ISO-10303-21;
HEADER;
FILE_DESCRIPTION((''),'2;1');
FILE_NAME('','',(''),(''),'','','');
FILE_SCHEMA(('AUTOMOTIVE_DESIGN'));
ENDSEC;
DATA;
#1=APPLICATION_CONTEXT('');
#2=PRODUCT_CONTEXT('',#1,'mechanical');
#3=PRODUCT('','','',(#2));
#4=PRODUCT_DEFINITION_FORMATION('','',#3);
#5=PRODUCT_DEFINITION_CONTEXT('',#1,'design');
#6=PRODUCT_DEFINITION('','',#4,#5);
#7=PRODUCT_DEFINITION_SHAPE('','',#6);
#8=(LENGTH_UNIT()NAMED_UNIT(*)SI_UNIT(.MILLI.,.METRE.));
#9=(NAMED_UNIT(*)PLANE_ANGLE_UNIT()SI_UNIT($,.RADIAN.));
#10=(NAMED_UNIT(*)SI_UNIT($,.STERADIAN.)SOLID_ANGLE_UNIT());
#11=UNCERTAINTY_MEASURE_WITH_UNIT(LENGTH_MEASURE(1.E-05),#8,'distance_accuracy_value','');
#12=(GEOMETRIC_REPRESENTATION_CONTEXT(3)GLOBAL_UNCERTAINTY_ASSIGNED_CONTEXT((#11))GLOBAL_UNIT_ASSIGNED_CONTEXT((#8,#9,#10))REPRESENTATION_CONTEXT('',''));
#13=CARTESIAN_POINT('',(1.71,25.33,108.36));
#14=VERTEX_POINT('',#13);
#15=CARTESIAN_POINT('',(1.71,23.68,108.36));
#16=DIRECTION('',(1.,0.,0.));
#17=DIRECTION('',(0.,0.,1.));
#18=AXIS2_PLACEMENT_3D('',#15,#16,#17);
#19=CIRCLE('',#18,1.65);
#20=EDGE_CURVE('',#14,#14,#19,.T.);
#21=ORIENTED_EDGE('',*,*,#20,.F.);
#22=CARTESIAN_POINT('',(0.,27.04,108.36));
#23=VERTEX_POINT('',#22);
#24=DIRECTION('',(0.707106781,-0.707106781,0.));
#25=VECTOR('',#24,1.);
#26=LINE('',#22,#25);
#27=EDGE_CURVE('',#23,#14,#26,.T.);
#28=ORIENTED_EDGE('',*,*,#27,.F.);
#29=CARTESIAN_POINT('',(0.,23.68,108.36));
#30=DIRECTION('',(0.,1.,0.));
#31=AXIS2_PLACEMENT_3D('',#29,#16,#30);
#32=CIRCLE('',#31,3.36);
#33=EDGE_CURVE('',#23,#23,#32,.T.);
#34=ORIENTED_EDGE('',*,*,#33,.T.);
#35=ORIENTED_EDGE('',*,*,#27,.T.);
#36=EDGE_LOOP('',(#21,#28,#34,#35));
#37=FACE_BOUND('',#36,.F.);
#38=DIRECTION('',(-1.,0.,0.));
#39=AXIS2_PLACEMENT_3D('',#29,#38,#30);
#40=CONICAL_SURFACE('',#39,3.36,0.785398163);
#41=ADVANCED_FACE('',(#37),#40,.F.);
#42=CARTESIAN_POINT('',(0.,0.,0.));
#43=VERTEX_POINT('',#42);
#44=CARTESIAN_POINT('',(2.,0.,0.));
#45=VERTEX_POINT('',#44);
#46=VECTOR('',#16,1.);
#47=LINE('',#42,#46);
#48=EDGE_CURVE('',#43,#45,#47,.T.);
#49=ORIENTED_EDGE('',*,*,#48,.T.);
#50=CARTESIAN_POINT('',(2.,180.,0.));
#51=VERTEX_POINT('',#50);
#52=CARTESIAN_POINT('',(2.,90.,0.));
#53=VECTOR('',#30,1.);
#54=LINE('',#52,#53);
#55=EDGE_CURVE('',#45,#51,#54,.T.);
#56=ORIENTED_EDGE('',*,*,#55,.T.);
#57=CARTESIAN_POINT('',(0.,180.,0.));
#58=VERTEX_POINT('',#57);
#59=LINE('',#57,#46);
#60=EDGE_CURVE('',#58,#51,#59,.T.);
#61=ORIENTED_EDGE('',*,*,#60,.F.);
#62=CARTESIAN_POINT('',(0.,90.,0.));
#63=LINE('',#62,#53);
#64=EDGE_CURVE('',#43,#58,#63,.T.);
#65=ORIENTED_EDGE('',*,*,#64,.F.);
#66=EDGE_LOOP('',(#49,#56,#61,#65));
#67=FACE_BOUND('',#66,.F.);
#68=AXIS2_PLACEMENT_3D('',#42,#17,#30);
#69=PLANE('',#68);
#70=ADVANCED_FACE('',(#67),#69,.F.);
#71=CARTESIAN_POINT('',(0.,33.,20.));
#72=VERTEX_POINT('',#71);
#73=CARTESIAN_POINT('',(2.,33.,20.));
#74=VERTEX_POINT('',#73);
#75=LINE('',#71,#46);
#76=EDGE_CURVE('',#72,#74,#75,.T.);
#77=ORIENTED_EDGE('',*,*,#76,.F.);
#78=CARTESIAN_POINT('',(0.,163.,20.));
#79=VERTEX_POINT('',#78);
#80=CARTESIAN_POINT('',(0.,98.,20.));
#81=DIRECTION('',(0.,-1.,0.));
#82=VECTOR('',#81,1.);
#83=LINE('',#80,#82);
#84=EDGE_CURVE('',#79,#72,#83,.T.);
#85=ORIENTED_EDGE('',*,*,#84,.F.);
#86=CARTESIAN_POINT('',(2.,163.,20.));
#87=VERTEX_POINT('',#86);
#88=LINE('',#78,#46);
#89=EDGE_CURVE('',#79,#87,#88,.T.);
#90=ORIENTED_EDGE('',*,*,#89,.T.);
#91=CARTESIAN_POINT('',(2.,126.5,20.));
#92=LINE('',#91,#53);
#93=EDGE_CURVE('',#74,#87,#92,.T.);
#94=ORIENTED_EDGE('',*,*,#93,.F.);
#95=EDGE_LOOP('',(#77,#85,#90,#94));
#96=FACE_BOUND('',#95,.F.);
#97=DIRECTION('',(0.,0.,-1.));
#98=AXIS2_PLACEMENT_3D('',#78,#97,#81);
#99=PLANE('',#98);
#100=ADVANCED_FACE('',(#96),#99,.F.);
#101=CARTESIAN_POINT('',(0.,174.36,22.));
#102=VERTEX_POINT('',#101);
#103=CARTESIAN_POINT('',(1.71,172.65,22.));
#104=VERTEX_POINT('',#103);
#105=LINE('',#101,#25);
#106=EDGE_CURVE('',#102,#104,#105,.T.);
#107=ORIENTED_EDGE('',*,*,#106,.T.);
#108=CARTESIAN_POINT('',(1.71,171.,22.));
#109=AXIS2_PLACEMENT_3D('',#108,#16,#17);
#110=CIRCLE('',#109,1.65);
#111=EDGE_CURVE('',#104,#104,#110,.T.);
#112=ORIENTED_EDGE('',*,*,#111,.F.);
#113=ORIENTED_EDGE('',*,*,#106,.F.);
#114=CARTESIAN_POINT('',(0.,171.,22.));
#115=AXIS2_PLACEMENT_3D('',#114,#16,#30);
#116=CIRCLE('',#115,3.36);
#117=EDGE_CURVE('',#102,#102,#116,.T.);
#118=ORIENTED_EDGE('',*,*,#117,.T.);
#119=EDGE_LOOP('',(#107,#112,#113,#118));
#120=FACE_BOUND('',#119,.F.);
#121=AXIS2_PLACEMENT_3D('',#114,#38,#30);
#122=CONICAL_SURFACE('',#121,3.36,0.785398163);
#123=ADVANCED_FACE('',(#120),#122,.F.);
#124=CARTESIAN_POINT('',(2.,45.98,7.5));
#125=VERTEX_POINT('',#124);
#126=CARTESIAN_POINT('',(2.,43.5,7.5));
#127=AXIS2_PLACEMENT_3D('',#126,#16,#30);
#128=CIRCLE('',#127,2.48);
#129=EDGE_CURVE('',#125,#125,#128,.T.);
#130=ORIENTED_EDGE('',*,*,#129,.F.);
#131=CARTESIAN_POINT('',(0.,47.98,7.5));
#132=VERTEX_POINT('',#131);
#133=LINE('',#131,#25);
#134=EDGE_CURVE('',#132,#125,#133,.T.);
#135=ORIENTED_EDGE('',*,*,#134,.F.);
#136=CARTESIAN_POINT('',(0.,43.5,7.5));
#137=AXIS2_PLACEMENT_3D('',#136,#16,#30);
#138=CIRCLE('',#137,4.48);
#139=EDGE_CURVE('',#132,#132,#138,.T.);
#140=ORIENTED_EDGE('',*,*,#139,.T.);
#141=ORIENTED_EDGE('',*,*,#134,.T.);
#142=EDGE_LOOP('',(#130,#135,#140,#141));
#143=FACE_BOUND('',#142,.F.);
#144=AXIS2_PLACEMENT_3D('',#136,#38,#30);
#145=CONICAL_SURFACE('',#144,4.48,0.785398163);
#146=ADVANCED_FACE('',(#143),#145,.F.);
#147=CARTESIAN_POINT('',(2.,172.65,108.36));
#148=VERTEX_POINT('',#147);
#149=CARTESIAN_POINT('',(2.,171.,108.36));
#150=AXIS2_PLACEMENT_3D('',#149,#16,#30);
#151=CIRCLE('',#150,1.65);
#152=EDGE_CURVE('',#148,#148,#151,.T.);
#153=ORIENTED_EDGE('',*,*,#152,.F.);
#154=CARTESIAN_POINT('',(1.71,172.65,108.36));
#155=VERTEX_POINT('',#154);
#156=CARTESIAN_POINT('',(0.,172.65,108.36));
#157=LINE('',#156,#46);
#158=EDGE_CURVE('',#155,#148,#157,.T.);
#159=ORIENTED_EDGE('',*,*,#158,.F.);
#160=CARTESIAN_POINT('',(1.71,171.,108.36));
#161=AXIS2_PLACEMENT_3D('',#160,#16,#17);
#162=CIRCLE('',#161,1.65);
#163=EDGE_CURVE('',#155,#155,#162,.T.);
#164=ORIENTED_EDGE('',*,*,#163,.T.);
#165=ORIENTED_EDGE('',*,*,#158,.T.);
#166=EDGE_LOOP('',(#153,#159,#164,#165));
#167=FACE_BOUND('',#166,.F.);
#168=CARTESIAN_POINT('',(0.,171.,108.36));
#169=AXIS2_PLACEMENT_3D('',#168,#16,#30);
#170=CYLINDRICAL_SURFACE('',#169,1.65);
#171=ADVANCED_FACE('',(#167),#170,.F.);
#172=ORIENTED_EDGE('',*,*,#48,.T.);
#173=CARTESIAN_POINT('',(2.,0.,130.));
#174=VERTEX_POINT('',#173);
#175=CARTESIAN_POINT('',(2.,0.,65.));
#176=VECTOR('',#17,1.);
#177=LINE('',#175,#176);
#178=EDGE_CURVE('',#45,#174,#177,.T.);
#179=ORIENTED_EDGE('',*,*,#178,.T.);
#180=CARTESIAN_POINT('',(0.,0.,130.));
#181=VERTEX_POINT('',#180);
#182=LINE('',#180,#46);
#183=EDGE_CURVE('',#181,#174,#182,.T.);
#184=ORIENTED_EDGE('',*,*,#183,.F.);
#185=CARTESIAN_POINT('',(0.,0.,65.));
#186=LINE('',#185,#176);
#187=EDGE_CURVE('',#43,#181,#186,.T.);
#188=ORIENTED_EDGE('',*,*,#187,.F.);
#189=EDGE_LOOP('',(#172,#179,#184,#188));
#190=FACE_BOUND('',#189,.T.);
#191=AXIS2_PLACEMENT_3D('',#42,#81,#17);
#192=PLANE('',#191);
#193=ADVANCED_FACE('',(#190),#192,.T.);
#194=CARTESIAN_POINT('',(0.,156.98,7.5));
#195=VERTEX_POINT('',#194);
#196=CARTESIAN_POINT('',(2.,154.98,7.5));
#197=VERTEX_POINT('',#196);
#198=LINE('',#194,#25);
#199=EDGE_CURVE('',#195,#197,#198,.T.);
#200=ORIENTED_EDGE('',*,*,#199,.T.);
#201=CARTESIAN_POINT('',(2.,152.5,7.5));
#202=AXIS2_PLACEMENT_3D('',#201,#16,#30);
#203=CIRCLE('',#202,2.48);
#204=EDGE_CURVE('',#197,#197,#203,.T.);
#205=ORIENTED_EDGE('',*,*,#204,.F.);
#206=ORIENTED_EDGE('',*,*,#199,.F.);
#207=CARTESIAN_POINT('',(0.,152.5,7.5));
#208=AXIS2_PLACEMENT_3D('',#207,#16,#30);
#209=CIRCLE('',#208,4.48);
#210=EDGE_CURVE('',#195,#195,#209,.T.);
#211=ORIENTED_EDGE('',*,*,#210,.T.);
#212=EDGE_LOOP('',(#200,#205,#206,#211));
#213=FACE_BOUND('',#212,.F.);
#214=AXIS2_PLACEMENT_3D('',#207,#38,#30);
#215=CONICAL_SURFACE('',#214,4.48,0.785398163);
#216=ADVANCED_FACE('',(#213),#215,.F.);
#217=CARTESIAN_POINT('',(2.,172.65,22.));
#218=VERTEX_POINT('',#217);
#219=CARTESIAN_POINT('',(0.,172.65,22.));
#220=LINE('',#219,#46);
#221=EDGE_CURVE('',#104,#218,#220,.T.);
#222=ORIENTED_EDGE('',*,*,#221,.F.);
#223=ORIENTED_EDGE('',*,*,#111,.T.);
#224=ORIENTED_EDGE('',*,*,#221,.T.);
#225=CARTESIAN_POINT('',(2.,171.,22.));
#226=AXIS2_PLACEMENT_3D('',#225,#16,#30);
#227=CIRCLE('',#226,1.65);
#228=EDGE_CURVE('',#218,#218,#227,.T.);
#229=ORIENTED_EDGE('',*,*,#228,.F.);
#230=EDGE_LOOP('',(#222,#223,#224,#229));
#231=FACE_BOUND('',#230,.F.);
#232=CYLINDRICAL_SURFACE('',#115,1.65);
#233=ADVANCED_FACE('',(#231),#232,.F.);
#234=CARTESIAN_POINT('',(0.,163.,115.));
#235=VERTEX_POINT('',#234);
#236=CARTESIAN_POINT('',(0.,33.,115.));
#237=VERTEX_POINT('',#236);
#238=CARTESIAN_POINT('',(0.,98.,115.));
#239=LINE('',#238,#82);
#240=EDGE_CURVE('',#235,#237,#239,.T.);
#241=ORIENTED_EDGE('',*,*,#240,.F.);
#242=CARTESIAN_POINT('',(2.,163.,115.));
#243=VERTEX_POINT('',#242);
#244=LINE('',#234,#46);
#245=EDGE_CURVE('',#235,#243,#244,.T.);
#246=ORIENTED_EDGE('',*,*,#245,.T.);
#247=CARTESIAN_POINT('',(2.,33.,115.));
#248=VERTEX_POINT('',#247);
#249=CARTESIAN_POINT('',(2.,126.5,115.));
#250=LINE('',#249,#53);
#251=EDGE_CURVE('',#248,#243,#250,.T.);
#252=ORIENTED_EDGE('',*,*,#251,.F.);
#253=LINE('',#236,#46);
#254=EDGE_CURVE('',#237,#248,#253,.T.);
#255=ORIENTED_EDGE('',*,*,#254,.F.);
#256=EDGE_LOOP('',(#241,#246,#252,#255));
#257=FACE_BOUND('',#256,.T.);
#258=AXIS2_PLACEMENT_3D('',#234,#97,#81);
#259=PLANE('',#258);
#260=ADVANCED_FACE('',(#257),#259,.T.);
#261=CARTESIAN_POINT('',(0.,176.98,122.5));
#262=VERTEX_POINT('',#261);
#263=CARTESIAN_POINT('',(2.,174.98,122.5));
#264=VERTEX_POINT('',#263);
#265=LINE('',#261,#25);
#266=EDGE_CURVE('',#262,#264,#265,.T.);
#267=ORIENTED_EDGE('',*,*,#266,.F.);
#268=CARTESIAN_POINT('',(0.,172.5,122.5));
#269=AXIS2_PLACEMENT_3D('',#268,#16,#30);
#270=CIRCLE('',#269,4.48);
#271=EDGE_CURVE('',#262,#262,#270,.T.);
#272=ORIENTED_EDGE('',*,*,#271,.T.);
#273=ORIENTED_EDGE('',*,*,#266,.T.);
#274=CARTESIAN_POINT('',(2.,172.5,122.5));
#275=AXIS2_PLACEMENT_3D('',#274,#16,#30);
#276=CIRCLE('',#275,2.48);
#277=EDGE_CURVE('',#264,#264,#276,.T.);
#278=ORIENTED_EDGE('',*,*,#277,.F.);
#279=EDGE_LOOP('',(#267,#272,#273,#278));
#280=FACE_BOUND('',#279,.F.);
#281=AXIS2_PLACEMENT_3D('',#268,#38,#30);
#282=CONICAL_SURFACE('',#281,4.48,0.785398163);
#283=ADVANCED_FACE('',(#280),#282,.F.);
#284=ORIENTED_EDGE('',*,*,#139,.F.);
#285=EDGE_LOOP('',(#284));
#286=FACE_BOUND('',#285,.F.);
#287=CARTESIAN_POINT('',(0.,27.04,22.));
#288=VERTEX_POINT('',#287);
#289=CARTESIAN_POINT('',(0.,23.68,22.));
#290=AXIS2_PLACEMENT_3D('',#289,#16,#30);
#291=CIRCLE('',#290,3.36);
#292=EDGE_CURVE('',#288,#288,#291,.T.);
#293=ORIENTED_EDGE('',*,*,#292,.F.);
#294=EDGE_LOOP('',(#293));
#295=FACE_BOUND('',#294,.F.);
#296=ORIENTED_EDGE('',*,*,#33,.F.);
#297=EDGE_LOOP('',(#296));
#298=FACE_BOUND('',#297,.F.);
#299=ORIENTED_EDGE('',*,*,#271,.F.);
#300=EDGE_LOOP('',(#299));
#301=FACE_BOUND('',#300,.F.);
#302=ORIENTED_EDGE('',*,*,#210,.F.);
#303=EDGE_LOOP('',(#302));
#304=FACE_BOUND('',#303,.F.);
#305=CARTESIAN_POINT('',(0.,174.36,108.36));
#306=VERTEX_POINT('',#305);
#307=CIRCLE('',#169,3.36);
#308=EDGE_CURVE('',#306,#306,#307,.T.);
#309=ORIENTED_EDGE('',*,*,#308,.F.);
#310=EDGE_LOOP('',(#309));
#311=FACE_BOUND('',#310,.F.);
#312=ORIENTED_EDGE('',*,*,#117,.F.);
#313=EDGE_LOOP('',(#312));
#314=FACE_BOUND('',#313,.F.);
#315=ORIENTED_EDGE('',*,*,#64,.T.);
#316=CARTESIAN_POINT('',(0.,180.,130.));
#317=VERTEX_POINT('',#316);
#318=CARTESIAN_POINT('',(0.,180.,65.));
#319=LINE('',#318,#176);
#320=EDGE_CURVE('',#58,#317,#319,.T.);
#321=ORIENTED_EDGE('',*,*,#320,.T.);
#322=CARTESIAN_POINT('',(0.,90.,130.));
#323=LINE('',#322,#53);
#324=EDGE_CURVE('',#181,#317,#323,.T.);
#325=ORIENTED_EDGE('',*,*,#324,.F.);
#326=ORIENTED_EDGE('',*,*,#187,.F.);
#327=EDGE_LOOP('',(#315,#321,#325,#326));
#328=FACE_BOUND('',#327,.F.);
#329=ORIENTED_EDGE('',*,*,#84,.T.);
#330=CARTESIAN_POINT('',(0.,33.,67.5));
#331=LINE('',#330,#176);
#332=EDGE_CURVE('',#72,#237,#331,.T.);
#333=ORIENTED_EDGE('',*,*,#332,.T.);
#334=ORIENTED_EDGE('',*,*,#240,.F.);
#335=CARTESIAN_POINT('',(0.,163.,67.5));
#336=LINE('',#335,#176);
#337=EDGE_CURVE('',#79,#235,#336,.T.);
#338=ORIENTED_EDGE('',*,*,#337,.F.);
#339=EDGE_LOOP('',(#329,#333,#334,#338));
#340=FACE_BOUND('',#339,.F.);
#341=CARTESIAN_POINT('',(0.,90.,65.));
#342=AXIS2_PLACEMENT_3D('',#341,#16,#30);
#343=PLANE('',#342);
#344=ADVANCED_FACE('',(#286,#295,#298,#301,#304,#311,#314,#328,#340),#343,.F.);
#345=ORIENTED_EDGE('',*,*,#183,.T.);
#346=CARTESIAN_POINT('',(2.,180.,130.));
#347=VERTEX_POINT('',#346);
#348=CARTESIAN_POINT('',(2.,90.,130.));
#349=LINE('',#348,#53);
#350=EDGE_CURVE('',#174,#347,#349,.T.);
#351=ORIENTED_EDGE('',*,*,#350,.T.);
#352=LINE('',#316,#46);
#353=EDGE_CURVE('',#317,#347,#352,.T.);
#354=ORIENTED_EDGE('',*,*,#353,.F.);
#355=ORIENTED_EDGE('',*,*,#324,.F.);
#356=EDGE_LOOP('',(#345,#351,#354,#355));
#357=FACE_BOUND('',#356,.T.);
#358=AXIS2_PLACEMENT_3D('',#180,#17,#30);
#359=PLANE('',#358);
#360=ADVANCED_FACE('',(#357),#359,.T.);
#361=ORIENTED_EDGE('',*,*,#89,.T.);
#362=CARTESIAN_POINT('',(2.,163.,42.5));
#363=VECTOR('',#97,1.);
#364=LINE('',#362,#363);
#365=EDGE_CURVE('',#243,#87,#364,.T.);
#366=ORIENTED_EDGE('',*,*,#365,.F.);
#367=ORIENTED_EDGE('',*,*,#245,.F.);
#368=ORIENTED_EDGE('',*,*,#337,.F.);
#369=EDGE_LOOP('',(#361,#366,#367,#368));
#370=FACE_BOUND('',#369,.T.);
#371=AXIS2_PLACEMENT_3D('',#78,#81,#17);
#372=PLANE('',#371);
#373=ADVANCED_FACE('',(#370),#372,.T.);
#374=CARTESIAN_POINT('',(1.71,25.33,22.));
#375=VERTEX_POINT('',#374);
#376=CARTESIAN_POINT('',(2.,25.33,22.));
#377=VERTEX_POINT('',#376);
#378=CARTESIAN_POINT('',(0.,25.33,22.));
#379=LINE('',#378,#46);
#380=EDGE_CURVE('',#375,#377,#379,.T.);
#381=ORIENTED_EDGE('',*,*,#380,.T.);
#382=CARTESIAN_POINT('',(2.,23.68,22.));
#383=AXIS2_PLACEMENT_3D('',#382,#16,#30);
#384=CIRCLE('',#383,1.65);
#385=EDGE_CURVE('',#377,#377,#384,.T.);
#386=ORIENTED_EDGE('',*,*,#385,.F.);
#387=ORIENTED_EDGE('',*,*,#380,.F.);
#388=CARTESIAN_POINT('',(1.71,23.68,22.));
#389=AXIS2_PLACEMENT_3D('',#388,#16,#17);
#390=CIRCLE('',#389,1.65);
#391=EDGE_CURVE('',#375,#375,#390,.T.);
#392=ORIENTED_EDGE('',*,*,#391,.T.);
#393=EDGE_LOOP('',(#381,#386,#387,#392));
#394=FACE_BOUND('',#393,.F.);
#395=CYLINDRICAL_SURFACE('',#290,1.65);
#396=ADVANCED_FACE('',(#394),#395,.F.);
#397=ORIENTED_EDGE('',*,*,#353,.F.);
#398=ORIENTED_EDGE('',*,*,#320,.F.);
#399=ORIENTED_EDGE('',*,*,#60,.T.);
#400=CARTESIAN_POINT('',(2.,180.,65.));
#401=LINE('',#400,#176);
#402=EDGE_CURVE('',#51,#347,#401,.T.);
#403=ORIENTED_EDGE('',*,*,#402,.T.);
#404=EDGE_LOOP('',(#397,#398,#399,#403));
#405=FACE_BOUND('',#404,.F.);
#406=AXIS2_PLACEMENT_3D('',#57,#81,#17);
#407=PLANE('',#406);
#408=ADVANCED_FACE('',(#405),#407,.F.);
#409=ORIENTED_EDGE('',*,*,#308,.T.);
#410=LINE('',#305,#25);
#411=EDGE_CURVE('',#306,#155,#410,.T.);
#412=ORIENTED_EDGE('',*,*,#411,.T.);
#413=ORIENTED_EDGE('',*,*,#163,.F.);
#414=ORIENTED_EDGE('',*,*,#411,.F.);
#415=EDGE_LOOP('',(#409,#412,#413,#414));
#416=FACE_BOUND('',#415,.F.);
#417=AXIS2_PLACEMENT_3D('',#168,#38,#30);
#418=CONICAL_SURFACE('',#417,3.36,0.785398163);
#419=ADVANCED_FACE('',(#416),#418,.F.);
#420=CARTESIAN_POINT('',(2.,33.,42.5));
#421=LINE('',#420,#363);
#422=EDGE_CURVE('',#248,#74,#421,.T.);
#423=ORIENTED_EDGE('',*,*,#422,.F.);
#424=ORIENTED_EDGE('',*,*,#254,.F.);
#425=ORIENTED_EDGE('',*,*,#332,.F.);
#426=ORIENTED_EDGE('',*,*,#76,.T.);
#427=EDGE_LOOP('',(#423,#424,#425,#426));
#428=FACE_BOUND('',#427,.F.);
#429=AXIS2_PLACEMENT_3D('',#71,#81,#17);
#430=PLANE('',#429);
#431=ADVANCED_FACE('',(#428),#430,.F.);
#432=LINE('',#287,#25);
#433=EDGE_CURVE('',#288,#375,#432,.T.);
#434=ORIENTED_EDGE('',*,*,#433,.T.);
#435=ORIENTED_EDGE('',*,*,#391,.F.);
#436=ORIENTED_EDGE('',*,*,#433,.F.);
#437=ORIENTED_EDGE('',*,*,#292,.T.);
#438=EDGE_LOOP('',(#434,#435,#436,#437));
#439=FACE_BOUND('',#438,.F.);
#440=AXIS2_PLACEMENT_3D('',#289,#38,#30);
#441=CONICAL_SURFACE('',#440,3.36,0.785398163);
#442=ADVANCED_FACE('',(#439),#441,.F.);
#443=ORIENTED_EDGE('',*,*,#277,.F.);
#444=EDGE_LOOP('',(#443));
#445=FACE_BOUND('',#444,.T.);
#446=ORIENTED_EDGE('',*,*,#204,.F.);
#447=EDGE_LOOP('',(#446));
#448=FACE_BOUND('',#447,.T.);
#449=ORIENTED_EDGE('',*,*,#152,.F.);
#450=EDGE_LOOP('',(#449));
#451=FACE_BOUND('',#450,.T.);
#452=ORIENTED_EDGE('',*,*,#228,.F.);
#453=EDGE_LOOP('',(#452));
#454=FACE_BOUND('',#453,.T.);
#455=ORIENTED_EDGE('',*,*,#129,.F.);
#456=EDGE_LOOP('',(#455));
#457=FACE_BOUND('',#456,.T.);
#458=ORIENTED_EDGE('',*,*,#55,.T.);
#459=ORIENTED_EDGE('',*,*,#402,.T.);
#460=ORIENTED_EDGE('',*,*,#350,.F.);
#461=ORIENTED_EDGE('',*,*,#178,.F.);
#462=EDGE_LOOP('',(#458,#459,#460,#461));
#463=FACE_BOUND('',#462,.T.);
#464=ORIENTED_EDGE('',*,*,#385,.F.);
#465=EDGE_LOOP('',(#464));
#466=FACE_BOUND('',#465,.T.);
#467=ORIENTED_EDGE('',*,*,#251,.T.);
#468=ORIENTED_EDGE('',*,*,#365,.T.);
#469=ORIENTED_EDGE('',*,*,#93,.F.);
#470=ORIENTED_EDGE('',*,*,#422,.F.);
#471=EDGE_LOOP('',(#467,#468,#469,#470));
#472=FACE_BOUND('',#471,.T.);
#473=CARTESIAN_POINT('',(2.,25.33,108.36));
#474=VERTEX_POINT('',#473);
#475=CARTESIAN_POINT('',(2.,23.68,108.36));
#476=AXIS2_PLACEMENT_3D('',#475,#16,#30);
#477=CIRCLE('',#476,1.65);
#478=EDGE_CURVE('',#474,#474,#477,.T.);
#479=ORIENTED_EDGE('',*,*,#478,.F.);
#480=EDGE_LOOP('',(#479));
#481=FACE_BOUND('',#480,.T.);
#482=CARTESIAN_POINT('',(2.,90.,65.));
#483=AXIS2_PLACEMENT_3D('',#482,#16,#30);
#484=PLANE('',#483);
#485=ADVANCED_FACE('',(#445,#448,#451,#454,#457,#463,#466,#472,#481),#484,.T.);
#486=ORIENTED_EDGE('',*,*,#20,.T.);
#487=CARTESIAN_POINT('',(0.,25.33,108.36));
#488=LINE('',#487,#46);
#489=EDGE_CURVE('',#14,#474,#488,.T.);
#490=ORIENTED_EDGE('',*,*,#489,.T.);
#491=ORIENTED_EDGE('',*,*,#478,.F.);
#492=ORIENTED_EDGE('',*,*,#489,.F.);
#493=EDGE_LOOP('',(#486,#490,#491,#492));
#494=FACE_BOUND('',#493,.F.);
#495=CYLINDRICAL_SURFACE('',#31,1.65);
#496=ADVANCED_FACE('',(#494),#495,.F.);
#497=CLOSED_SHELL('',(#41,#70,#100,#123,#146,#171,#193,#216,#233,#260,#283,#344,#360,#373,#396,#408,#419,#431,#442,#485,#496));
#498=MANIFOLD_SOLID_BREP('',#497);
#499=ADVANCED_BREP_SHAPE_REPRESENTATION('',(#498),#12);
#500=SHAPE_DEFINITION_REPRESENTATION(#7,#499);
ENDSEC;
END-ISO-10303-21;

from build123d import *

# Parameters (mm, degrees)
F0_W           = 180
F0_H           = 130
F1_DEPTH       = 2
F3_D           = 3.3
F3_CSINK_D     = 6.72
F3_CSINK_ANGLE = 90
F4_W           = 130
F4_H           = 95
F5_DEPTH       = 2.001
F7_D           = 4.4
F7_CSINK_D     = 8.96
F7_CSINK_ANGLE = 90


with BuildPart() as f1:
    # F0 (on Right) → F1 (new body)
    with BuildSketch(Plane.YZ):
        with Locations((90, 65)):
            Rectangle(F0_W, F0_H)
    extrude(amount=F1_DEPTH)

    # F3 (through all)
    with Locations(Plane(origin=(0, 0, 0), x_dir=(0, -1, 0), z_dir=(-1, 0, 0))):
        with Locations((-171, 108.36), (-171, 22), (-23.68, 22), (-23.68, 108.36)):
            CounterSinkHole(F3_D / 2, F3_CSINK_D / 2, counter_sink_angle=F3_CSINK_ANGLE)

    # F4 (on face) → F5 (cut, through all)
    with BuildSketch(Plane(origin=(0, 0, 0), x_dir=(0, -1, 0), z_dir=(-1, 0, 0))):
        with Locations((-98, 67.5)):
            Rectangle(F4_W, F4_H)
    extrude(amount=-F5_DEPTH, mode=Mode.SUBTRACT)

    # F7 (through all)
    with Locations(Plane(origin=(0, 0, 0), x_dir=(0, -1, 0), z_dir=(-1, 0, 0))):
        with Locations((-152.5, 7.5), (-43.5, 7.5), (-172.5, 122.5)):
            CounterSinkHole(F7_D / 2, F7_CSINK_D / 2, counter_sink_angle=F7_CSINK_ANGLE)


solid = f1.part
